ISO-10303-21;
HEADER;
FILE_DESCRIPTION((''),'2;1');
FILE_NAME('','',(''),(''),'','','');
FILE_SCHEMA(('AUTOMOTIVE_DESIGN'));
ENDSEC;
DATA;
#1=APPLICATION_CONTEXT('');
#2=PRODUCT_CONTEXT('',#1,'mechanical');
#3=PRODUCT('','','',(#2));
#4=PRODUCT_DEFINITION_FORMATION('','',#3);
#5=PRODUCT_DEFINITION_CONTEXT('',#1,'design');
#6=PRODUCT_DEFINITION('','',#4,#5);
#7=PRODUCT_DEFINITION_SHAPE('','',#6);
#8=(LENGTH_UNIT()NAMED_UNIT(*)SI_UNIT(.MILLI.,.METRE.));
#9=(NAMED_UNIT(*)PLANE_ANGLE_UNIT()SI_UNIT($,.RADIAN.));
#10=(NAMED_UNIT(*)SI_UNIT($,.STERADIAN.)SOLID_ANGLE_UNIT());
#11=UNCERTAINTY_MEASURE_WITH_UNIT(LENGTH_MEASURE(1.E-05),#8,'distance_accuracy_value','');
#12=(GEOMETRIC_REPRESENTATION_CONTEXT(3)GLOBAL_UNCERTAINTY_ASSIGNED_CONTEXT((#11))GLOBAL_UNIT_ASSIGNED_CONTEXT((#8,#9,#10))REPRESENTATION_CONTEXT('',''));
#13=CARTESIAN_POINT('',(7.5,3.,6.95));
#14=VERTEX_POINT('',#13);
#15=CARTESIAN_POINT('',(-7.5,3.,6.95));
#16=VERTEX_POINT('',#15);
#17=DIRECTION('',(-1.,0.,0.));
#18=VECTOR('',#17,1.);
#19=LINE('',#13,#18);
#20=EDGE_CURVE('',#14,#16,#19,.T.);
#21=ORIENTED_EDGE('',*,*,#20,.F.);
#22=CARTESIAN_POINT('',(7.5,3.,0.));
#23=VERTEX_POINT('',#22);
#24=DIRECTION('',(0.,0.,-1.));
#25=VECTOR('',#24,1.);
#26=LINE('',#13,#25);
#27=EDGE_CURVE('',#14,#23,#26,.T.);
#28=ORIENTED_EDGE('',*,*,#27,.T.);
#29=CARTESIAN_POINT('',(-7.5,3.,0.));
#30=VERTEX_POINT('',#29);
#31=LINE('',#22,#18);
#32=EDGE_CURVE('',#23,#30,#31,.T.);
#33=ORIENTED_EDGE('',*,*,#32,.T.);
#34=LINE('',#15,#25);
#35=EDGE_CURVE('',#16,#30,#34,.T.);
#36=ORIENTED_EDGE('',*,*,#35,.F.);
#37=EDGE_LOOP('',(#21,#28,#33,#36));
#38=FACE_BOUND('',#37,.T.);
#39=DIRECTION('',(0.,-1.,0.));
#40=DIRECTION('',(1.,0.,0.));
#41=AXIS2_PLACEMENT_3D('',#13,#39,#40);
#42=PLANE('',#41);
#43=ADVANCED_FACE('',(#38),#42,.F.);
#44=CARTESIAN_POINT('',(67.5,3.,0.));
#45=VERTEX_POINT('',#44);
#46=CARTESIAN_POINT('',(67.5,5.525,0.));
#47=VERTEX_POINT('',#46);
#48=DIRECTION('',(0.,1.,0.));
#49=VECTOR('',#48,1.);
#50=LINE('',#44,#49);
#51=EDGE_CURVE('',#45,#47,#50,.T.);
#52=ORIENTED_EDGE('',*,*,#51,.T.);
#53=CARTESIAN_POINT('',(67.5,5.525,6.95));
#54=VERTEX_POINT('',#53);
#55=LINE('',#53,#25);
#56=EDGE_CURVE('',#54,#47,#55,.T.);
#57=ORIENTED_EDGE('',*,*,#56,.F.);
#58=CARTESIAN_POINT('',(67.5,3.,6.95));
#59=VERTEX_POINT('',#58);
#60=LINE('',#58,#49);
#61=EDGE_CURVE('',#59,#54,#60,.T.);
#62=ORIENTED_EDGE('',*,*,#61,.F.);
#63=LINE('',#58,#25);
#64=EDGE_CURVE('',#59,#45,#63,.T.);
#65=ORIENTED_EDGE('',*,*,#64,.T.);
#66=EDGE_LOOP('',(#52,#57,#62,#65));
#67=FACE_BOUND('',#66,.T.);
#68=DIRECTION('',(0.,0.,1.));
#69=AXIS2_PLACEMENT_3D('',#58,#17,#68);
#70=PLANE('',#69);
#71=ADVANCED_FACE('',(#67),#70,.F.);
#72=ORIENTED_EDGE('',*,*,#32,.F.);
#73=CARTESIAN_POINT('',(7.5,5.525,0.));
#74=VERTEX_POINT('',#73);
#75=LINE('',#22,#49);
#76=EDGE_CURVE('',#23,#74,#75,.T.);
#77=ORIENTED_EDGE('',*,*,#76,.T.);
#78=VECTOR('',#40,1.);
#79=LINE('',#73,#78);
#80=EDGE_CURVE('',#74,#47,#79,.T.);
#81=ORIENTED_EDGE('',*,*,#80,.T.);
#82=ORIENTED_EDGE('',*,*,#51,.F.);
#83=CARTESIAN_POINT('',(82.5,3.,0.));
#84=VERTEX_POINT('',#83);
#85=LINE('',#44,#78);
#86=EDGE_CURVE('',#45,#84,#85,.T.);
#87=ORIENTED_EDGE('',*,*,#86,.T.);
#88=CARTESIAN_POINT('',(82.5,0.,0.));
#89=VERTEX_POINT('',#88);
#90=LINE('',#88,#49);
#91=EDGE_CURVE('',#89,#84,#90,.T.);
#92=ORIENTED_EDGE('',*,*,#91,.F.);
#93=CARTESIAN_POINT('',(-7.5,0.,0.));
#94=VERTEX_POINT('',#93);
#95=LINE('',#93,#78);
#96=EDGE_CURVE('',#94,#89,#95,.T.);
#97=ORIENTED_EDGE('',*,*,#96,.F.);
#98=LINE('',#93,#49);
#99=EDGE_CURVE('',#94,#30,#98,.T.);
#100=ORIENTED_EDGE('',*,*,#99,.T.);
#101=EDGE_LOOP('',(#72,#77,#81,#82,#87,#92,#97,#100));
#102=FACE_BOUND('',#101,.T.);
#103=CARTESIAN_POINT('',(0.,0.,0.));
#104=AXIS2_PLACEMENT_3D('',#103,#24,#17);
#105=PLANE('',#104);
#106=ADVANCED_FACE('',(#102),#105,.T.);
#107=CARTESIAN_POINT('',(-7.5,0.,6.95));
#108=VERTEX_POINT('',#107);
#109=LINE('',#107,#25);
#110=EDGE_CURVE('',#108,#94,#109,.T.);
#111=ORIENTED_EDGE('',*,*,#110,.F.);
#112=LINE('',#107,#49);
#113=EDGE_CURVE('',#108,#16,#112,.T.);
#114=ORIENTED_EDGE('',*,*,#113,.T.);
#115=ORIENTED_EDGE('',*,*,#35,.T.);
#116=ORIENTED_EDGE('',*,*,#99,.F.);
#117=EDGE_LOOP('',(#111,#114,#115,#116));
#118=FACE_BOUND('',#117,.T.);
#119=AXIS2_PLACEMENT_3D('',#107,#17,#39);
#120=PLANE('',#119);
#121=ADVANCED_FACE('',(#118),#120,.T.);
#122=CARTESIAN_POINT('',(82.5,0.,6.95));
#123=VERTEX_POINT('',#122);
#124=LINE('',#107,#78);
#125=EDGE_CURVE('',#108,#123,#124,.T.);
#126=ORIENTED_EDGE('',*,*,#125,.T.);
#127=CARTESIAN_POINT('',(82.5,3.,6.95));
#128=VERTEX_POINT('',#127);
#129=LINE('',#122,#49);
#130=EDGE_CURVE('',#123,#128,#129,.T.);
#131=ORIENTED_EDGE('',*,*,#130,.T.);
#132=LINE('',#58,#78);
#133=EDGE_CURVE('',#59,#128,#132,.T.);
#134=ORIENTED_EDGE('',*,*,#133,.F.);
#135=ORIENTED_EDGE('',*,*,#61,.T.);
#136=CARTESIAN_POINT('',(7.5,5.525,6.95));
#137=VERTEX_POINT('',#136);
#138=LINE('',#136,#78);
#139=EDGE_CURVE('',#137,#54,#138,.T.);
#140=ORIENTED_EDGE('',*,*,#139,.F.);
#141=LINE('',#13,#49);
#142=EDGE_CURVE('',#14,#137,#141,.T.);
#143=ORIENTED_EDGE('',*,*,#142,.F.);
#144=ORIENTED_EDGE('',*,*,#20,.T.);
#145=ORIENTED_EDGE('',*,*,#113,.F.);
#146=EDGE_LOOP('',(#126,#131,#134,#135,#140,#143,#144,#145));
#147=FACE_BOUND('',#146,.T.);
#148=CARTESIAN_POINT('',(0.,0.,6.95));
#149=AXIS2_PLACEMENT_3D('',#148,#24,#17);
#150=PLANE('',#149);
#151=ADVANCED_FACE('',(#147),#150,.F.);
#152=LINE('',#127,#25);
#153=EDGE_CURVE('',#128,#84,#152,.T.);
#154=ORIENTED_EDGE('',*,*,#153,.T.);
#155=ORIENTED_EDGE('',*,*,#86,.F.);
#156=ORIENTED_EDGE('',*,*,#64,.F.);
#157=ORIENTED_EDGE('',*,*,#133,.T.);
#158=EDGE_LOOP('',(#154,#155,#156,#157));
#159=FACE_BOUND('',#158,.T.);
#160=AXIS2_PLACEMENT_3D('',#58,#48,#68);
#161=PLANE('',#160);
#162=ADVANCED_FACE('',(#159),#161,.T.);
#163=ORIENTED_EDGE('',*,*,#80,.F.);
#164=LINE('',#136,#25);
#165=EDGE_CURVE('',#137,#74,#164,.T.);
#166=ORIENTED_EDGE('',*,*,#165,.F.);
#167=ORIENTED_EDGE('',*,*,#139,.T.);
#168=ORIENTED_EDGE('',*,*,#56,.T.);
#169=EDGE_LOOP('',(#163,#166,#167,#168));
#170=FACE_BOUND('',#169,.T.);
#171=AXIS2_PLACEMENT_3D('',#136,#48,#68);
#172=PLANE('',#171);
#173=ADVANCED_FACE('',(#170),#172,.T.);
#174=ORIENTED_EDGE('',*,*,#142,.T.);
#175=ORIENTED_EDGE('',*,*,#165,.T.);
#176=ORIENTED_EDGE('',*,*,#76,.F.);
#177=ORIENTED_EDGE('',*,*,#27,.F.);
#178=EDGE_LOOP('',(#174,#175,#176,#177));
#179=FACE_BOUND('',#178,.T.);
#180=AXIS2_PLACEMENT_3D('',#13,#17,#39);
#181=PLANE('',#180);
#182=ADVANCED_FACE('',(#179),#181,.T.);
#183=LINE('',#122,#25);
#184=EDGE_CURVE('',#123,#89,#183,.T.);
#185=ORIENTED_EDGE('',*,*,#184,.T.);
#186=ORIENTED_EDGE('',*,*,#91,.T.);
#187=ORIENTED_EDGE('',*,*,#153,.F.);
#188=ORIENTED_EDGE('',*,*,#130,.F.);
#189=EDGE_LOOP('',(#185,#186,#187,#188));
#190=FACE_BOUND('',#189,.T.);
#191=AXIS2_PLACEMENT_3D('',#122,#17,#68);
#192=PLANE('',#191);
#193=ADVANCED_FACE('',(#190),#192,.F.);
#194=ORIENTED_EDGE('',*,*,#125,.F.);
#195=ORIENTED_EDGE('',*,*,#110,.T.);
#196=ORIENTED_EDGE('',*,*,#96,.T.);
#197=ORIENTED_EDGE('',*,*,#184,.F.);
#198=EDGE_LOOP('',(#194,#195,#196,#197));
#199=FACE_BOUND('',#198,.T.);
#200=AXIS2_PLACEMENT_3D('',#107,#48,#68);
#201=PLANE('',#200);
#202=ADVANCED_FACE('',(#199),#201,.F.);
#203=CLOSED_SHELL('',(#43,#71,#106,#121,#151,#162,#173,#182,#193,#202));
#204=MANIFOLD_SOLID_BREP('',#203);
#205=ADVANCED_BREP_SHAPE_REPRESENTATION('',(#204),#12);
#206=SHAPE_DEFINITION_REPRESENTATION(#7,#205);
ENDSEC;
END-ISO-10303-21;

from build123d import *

# Parameters (mm, degrees)
BOSS_EXTRUDE1_DEPTH = 6.95


with BuildPart() as part:
    # Sketch1 → Boss-Extrude1 (new body)
    with BuildSketch(Plane.XY):
        Polygon((-7.5, 0), (82.5, 0), (82.5, 3), (67.5, 3), (67.5, 5.525), (7.5, 5.525), (7.5, 3), (-7.5, 3), align=None)
    extrude(amount=BOSS_EXTRUDE1_DEPTH)


solid = part.part
